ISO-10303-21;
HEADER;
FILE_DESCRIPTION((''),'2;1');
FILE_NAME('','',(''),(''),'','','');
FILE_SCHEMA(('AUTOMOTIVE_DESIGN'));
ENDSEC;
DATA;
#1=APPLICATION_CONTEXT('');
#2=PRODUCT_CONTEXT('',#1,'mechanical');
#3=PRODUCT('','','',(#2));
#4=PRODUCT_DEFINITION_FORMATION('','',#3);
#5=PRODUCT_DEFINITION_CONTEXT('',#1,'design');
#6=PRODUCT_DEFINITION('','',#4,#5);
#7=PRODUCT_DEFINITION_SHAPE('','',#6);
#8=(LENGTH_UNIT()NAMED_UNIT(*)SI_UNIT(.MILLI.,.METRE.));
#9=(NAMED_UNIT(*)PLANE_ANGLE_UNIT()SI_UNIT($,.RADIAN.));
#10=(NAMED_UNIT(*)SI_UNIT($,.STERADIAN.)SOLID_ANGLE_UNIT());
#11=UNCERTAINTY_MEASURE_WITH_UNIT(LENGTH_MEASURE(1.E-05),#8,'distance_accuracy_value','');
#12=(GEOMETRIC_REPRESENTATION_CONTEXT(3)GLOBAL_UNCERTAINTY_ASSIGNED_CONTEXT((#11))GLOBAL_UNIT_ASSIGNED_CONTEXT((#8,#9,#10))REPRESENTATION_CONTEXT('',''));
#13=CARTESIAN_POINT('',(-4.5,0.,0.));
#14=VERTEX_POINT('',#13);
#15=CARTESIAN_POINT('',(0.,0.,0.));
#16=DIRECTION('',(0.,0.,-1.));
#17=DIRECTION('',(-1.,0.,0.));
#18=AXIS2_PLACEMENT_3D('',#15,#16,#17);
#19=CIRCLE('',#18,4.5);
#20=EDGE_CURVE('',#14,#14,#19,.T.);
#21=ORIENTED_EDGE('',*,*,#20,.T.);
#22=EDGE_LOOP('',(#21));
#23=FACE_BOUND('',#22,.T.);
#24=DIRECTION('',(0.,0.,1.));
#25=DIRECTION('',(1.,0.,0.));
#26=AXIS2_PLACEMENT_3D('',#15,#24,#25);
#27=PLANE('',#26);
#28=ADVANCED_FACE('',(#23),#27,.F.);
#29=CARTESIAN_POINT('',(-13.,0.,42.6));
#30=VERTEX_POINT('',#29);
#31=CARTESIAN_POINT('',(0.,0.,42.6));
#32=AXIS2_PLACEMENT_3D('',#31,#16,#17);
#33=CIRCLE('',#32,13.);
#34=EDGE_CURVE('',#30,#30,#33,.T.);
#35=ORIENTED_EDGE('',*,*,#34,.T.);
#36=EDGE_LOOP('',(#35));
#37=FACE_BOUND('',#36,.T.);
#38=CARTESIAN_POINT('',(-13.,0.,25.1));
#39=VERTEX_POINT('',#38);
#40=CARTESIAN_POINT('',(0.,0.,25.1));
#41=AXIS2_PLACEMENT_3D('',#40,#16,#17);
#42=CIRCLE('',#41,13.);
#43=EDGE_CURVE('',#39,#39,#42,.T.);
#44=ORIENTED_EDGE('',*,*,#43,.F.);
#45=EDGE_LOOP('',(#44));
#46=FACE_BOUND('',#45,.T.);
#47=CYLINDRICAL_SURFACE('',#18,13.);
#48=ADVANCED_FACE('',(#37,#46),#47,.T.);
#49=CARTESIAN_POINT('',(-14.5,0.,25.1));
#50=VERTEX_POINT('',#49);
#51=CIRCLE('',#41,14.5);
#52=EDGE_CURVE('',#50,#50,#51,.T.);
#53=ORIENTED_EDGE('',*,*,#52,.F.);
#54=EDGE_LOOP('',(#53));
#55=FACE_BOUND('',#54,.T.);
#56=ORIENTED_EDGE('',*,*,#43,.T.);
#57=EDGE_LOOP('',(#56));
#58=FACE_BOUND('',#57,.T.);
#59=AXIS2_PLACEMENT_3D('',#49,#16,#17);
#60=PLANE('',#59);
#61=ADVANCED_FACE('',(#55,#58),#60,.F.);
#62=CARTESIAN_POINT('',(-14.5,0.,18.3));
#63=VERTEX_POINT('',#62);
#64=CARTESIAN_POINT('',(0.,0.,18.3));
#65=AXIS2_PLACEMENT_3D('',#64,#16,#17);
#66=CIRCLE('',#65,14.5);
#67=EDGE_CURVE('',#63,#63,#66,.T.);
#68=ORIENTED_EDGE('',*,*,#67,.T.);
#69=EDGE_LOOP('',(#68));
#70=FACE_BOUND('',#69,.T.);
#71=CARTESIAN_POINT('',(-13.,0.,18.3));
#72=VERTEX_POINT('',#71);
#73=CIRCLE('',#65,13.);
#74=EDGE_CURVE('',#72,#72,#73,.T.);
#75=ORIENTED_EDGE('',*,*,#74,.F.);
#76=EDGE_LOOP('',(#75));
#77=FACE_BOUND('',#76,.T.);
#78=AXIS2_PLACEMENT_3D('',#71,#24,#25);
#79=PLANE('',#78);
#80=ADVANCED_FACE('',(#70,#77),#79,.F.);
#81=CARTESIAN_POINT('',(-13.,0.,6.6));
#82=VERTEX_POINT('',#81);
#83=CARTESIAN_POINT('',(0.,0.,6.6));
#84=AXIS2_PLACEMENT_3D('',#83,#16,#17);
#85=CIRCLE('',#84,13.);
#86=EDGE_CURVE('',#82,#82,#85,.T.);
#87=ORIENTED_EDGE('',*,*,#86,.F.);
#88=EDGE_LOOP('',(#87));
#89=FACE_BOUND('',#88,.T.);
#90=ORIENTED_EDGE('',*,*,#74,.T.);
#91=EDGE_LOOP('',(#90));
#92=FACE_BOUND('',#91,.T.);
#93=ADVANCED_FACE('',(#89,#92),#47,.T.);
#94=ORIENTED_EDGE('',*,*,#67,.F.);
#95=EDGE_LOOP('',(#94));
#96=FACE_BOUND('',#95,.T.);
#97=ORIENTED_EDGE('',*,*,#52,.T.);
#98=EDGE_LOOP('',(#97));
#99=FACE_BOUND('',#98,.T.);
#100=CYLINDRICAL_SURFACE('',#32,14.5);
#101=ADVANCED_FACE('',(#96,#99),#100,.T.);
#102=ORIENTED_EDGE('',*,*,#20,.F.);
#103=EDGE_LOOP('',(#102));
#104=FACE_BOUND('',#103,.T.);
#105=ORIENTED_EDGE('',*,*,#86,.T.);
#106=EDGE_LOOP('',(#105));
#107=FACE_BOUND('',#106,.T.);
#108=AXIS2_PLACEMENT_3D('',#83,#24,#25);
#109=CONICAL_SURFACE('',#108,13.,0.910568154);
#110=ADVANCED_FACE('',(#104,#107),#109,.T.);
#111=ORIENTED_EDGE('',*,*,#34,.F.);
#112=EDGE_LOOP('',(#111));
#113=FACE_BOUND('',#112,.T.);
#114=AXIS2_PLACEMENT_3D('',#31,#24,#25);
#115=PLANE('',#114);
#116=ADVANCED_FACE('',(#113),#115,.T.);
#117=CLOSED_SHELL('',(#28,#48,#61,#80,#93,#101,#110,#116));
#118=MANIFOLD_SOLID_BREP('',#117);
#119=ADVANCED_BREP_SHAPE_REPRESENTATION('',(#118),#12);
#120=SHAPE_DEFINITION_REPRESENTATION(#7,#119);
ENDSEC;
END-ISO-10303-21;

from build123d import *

# Parameters (mm, degrees)
SKETCH_1_R      = 14.5
EXTRUDE_1_DEPTH = 42.6
SKETCH_3_W      = 1.5
SKETCH_3_H      = 17.5


with BuildPart() as part:
    # 草圖1 → 填料-伸長1 (new body)
    with BuildSketch(Plane.XY):
        Circle(SKETCH_1_R)
    extrude(amount=EXTRUDE_1_DEPTH)

    # 草圖3 → 除料-旋轉1 (revolve, cut)
    with BuildSketch(Plane(origin=(0, 0, 0), x_dir=(1, 0, 0), z_dir=(0, 1, 0))):
        Polygon((-4.5, 0), (-13, -6.6), (-13, -18.3), (-14.5, -18.3), (-14.5, 0), align=None)
        with Locations((-13.75, -33.85)):
            Rectangle(SKETCH_3_W, SKETCH_3_H)
    revolve(axis=Axis((0, 0, 0), (0, 0, 1)), mode=Mode.SUBTRACT)


solid = part.part
